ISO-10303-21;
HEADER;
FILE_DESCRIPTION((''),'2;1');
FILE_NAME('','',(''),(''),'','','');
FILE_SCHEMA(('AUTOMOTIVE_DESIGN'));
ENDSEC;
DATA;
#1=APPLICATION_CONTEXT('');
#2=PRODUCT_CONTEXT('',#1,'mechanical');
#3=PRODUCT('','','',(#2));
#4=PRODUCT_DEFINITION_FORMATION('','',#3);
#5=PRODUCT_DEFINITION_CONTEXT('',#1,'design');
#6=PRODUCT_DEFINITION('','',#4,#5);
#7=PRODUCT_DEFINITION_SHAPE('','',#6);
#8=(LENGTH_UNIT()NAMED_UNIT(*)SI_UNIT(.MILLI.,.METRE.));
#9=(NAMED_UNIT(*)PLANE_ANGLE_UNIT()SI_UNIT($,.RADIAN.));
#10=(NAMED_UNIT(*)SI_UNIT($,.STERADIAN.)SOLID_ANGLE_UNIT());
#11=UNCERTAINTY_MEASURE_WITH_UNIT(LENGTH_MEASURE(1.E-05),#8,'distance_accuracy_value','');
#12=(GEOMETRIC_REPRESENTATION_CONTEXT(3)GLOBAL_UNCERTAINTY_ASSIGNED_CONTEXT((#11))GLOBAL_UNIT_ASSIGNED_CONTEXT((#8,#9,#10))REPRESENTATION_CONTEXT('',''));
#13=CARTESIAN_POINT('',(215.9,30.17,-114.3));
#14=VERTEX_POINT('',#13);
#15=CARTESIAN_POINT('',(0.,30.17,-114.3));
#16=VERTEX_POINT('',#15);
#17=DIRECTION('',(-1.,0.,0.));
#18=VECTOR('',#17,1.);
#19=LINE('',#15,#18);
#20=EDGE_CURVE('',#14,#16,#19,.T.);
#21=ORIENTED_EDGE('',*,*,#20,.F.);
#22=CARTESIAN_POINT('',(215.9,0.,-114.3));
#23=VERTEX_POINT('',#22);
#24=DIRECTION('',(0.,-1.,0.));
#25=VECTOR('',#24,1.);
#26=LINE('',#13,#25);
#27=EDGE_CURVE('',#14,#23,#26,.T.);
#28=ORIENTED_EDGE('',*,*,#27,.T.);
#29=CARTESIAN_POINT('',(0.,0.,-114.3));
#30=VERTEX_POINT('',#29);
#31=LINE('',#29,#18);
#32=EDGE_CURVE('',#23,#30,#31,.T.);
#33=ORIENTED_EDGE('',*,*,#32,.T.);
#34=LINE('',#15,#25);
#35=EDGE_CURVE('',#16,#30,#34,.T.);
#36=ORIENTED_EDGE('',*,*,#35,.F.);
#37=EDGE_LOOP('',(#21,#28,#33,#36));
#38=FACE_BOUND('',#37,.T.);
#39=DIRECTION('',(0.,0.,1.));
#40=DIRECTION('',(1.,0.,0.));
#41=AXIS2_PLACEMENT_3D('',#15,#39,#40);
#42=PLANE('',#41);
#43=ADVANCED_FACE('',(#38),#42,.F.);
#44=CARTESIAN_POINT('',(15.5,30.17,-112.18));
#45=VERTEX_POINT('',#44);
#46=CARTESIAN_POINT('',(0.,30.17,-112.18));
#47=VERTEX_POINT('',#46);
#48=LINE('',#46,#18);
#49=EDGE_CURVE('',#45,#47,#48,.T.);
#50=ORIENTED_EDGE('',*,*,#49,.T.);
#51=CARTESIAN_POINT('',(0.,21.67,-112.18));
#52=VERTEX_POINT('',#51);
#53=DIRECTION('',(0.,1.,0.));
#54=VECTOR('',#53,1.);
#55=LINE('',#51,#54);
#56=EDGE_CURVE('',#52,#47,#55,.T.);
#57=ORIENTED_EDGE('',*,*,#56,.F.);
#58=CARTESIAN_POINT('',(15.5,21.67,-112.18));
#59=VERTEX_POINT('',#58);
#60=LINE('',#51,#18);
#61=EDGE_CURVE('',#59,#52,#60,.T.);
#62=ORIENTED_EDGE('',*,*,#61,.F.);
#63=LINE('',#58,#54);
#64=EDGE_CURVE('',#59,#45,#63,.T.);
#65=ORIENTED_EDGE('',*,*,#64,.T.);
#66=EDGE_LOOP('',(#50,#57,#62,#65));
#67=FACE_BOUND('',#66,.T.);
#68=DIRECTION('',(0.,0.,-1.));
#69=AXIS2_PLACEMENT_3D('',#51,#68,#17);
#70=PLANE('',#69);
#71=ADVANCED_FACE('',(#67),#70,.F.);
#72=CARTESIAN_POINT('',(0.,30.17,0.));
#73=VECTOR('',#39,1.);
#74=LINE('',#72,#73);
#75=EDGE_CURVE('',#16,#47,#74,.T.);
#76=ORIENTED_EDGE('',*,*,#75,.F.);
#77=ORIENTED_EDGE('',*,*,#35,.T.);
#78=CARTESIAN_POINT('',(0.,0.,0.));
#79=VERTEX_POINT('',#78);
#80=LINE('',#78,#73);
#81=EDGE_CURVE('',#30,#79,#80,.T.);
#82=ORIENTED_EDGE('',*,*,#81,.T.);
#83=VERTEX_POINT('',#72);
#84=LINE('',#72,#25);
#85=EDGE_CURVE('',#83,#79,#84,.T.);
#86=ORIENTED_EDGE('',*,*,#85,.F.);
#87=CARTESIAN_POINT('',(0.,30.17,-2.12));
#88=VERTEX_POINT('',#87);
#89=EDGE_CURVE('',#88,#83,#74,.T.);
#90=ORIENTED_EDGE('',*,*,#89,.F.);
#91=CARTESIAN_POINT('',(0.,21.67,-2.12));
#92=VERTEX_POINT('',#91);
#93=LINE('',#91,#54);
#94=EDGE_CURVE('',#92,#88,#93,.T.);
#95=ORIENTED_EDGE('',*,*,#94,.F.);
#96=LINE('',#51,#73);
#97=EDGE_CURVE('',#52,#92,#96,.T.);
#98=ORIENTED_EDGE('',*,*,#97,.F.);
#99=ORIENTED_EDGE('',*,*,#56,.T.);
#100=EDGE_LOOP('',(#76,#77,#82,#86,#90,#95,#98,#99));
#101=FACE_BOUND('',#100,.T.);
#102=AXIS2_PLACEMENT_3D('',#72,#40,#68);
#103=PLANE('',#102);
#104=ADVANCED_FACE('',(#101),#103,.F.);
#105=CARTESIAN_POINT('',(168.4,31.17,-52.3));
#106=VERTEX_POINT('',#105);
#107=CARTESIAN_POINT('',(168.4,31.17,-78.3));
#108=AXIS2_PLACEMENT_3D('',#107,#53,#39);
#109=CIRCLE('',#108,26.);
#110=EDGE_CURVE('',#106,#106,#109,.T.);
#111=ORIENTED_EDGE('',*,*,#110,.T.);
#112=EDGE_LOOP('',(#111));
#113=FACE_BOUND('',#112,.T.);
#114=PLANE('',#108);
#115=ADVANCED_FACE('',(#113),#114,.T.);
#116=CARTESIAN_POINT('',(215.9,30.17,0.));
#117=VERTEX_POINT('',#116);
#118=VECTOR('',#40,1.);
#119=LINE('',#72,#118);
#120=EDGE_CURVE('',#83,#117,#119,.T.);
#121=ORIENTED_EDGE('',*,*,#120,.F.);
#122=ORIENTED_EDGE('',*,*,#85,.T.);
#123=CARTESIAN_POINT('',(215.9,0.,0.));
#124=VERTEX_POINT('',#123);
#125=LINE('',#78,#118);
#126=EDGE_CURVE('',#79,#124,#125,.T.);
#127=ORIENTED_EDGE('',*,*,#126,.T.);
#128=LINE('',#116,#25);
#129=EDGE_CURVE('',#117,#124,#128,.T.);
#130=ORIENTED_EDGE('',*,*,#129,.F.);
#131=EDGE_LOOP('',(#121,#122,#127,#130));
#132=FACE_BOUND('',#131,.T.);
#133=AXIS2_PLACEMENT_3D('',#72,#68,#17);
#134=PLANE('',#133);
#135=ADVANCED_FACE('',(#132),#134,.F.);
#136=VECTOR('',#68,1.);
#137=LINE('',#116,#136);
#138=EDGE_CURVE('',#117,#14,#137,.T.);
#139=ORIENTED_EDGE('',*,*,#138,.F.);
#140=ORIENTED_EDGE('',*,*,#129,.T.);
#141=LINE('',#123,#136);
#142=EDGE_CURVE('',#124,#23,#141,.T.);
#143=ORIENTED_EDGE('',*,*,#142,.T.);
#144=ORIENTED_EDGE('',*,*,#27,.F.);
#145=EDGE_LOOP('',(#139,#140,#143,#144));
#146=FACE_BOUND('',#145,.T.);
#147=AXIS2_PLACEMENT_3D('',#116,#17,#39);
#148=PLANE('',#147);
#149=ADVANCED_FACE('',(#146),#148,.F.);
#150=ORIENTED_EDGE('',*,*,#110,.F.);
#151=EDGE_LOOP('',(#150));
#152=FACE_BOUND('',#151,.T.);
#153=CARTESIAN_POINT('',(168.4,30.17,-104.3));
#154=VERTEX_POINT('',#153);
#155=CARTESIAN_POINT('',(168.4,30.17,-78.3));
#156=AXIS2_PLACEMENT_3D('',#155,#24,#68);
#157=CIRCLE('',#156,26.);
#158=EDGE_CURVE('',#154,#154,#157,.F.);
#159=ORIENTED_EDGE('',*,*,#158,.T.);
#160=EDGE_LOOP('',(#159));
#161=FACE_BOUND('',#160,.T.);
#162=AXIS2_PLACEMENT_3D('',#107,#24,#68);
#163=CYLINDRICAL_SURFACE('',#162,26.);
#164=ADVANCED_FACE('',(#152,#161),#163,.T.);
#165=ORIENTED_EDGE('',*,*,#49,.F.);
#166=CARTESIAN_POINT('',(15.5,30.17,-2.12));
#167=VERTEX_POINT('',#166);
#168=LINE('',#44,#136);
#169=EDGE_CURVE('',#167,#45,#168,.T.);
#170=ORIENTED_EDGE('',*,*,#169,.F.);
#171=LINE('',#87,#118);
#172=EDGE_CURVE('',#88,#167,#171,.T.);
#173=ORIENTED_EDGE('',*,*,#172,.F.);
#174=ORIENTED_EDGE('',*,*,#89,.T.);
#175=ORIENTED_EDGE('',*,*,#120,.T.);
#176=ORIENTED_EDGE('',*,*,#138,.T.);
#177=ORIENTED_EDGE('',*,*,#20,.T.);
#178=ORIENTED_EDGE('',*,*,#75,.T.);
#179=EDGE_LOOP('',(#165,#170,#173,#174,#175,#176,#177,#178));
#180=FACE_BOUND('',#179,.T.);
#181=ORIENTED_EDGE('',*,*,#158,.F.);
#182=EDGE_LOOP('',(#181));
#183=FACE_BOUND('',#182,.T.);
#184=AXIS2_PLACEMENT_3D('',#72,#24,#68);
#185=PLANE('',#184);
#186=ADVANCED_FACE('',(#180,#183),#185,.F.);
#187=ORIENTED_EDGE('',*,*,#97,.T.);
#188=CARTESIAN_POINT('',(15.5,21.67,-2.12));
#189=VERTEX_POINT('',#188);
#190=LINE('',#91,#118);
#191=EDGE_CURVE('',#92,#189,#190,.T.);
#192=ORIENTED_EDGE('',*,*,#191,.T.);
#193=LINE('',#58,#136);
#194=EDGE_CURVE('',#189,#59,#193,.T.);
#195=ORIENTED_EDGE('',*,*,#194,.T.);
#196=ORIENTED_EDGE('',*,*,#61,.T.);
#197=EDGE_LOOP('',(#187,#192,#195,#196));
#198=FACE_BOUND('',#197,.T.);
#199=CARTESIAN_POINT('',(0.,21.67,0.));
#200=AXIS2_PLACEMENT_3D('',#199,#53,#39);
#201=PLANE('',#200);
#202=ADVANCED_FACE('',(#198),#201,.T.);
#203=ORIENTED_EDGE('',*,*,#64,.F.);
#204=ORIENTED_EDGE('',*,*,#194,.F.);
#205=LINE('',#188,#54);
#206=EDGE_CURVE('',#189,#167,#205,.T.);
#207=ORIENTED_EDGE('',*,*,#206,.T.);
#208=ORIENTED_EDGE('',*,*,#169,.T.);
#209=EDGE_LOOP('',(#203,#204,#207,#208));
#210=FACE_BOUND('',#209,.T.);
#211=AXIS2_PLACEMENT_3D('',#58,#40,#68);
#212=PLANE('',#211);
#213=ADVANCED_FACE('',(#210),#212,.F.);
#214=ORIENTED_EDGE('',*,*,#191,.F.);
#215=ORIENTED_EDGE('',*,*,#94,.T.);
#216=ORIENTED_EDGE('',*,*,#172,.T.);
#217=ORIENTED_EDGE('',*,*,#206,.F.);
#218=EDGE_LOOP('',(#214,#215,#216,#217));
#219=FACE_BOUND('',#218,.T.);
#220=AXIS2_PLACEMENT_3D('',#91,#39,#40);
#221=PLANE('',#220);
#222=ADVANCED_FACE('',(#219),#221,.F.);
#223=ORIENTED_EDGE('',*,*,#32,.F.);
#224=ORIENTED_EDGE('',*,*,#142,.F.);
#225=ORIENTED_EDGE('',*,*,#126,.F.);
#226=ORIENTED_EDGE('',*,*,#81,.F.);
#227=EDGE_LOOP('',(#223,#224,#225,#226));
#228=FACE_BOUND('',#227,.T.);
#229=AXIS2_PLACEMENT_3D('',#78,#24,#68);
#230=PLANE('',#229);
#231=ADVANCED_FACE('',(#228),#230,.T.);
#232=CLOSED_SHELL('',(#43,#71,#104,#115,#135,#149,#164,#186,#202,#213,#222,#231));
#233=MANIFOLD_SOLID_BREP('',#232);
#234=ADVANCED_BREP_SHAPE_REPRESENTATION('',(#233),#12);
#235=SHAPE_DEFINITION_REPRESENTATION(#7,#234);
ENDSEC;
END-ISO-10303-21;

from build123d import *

# Parameters (mm, degrees)
SKETCH1_W           = 215.9
SKETCH1_H           = 114.3
BOSS_EXTRUDE1_DEPTH = 30.17
SKETCH2_W           = 15.5
SKETCH2_H           = 110.06
CUT_EXTRUDE1_DEPTH  = 8.5
SKETCH3_R           = 26
BOSS_EXTRUDE2_DEPTH = 1


with BuildPart() as part:
    # Sketch1 → Boss-Extrude1 (new body)
    with BuildSketch(Plane(origin=(0, 0, 0), x_dir=(1, 0, 0), z_dir=(0, 1, 0))):
        with Locations((107.95, 57.15)):
            Rectangle(SKETCH1_W, SKETCH1_H)
    extrude(amount=BOSS_EXTRUDE1_DEPTH)

    # Sketch2 → Cut-Extrude1 (cut)
    with BuildSketch(Plane(origin=(0, 30.17, 0), x_dir=(1, 0, 0), z_dir=(0, 1, 0))):
        with Locations((7.75, 57.15)):
            Rectangle(SKETCH2_W, SKETCH2_H)
    extrude(amount=-CUT_EXTRUDE1_DEPTH, mode=Mode.SUBTRACT)

    # Sketch3 → Boss-Extrude2 (add)
    with BuildSketch(Plane(origin=(0, 30.17, 0), x_dir=(1, 0, 0), z_dir=(0, 1, 0))):
        with Locations((168.4, 78.3)):
            Circle(SKETCH3_R)
    extrude(amount=BOSS_EXTRUDE2_DEPTH)


solid = part.part
